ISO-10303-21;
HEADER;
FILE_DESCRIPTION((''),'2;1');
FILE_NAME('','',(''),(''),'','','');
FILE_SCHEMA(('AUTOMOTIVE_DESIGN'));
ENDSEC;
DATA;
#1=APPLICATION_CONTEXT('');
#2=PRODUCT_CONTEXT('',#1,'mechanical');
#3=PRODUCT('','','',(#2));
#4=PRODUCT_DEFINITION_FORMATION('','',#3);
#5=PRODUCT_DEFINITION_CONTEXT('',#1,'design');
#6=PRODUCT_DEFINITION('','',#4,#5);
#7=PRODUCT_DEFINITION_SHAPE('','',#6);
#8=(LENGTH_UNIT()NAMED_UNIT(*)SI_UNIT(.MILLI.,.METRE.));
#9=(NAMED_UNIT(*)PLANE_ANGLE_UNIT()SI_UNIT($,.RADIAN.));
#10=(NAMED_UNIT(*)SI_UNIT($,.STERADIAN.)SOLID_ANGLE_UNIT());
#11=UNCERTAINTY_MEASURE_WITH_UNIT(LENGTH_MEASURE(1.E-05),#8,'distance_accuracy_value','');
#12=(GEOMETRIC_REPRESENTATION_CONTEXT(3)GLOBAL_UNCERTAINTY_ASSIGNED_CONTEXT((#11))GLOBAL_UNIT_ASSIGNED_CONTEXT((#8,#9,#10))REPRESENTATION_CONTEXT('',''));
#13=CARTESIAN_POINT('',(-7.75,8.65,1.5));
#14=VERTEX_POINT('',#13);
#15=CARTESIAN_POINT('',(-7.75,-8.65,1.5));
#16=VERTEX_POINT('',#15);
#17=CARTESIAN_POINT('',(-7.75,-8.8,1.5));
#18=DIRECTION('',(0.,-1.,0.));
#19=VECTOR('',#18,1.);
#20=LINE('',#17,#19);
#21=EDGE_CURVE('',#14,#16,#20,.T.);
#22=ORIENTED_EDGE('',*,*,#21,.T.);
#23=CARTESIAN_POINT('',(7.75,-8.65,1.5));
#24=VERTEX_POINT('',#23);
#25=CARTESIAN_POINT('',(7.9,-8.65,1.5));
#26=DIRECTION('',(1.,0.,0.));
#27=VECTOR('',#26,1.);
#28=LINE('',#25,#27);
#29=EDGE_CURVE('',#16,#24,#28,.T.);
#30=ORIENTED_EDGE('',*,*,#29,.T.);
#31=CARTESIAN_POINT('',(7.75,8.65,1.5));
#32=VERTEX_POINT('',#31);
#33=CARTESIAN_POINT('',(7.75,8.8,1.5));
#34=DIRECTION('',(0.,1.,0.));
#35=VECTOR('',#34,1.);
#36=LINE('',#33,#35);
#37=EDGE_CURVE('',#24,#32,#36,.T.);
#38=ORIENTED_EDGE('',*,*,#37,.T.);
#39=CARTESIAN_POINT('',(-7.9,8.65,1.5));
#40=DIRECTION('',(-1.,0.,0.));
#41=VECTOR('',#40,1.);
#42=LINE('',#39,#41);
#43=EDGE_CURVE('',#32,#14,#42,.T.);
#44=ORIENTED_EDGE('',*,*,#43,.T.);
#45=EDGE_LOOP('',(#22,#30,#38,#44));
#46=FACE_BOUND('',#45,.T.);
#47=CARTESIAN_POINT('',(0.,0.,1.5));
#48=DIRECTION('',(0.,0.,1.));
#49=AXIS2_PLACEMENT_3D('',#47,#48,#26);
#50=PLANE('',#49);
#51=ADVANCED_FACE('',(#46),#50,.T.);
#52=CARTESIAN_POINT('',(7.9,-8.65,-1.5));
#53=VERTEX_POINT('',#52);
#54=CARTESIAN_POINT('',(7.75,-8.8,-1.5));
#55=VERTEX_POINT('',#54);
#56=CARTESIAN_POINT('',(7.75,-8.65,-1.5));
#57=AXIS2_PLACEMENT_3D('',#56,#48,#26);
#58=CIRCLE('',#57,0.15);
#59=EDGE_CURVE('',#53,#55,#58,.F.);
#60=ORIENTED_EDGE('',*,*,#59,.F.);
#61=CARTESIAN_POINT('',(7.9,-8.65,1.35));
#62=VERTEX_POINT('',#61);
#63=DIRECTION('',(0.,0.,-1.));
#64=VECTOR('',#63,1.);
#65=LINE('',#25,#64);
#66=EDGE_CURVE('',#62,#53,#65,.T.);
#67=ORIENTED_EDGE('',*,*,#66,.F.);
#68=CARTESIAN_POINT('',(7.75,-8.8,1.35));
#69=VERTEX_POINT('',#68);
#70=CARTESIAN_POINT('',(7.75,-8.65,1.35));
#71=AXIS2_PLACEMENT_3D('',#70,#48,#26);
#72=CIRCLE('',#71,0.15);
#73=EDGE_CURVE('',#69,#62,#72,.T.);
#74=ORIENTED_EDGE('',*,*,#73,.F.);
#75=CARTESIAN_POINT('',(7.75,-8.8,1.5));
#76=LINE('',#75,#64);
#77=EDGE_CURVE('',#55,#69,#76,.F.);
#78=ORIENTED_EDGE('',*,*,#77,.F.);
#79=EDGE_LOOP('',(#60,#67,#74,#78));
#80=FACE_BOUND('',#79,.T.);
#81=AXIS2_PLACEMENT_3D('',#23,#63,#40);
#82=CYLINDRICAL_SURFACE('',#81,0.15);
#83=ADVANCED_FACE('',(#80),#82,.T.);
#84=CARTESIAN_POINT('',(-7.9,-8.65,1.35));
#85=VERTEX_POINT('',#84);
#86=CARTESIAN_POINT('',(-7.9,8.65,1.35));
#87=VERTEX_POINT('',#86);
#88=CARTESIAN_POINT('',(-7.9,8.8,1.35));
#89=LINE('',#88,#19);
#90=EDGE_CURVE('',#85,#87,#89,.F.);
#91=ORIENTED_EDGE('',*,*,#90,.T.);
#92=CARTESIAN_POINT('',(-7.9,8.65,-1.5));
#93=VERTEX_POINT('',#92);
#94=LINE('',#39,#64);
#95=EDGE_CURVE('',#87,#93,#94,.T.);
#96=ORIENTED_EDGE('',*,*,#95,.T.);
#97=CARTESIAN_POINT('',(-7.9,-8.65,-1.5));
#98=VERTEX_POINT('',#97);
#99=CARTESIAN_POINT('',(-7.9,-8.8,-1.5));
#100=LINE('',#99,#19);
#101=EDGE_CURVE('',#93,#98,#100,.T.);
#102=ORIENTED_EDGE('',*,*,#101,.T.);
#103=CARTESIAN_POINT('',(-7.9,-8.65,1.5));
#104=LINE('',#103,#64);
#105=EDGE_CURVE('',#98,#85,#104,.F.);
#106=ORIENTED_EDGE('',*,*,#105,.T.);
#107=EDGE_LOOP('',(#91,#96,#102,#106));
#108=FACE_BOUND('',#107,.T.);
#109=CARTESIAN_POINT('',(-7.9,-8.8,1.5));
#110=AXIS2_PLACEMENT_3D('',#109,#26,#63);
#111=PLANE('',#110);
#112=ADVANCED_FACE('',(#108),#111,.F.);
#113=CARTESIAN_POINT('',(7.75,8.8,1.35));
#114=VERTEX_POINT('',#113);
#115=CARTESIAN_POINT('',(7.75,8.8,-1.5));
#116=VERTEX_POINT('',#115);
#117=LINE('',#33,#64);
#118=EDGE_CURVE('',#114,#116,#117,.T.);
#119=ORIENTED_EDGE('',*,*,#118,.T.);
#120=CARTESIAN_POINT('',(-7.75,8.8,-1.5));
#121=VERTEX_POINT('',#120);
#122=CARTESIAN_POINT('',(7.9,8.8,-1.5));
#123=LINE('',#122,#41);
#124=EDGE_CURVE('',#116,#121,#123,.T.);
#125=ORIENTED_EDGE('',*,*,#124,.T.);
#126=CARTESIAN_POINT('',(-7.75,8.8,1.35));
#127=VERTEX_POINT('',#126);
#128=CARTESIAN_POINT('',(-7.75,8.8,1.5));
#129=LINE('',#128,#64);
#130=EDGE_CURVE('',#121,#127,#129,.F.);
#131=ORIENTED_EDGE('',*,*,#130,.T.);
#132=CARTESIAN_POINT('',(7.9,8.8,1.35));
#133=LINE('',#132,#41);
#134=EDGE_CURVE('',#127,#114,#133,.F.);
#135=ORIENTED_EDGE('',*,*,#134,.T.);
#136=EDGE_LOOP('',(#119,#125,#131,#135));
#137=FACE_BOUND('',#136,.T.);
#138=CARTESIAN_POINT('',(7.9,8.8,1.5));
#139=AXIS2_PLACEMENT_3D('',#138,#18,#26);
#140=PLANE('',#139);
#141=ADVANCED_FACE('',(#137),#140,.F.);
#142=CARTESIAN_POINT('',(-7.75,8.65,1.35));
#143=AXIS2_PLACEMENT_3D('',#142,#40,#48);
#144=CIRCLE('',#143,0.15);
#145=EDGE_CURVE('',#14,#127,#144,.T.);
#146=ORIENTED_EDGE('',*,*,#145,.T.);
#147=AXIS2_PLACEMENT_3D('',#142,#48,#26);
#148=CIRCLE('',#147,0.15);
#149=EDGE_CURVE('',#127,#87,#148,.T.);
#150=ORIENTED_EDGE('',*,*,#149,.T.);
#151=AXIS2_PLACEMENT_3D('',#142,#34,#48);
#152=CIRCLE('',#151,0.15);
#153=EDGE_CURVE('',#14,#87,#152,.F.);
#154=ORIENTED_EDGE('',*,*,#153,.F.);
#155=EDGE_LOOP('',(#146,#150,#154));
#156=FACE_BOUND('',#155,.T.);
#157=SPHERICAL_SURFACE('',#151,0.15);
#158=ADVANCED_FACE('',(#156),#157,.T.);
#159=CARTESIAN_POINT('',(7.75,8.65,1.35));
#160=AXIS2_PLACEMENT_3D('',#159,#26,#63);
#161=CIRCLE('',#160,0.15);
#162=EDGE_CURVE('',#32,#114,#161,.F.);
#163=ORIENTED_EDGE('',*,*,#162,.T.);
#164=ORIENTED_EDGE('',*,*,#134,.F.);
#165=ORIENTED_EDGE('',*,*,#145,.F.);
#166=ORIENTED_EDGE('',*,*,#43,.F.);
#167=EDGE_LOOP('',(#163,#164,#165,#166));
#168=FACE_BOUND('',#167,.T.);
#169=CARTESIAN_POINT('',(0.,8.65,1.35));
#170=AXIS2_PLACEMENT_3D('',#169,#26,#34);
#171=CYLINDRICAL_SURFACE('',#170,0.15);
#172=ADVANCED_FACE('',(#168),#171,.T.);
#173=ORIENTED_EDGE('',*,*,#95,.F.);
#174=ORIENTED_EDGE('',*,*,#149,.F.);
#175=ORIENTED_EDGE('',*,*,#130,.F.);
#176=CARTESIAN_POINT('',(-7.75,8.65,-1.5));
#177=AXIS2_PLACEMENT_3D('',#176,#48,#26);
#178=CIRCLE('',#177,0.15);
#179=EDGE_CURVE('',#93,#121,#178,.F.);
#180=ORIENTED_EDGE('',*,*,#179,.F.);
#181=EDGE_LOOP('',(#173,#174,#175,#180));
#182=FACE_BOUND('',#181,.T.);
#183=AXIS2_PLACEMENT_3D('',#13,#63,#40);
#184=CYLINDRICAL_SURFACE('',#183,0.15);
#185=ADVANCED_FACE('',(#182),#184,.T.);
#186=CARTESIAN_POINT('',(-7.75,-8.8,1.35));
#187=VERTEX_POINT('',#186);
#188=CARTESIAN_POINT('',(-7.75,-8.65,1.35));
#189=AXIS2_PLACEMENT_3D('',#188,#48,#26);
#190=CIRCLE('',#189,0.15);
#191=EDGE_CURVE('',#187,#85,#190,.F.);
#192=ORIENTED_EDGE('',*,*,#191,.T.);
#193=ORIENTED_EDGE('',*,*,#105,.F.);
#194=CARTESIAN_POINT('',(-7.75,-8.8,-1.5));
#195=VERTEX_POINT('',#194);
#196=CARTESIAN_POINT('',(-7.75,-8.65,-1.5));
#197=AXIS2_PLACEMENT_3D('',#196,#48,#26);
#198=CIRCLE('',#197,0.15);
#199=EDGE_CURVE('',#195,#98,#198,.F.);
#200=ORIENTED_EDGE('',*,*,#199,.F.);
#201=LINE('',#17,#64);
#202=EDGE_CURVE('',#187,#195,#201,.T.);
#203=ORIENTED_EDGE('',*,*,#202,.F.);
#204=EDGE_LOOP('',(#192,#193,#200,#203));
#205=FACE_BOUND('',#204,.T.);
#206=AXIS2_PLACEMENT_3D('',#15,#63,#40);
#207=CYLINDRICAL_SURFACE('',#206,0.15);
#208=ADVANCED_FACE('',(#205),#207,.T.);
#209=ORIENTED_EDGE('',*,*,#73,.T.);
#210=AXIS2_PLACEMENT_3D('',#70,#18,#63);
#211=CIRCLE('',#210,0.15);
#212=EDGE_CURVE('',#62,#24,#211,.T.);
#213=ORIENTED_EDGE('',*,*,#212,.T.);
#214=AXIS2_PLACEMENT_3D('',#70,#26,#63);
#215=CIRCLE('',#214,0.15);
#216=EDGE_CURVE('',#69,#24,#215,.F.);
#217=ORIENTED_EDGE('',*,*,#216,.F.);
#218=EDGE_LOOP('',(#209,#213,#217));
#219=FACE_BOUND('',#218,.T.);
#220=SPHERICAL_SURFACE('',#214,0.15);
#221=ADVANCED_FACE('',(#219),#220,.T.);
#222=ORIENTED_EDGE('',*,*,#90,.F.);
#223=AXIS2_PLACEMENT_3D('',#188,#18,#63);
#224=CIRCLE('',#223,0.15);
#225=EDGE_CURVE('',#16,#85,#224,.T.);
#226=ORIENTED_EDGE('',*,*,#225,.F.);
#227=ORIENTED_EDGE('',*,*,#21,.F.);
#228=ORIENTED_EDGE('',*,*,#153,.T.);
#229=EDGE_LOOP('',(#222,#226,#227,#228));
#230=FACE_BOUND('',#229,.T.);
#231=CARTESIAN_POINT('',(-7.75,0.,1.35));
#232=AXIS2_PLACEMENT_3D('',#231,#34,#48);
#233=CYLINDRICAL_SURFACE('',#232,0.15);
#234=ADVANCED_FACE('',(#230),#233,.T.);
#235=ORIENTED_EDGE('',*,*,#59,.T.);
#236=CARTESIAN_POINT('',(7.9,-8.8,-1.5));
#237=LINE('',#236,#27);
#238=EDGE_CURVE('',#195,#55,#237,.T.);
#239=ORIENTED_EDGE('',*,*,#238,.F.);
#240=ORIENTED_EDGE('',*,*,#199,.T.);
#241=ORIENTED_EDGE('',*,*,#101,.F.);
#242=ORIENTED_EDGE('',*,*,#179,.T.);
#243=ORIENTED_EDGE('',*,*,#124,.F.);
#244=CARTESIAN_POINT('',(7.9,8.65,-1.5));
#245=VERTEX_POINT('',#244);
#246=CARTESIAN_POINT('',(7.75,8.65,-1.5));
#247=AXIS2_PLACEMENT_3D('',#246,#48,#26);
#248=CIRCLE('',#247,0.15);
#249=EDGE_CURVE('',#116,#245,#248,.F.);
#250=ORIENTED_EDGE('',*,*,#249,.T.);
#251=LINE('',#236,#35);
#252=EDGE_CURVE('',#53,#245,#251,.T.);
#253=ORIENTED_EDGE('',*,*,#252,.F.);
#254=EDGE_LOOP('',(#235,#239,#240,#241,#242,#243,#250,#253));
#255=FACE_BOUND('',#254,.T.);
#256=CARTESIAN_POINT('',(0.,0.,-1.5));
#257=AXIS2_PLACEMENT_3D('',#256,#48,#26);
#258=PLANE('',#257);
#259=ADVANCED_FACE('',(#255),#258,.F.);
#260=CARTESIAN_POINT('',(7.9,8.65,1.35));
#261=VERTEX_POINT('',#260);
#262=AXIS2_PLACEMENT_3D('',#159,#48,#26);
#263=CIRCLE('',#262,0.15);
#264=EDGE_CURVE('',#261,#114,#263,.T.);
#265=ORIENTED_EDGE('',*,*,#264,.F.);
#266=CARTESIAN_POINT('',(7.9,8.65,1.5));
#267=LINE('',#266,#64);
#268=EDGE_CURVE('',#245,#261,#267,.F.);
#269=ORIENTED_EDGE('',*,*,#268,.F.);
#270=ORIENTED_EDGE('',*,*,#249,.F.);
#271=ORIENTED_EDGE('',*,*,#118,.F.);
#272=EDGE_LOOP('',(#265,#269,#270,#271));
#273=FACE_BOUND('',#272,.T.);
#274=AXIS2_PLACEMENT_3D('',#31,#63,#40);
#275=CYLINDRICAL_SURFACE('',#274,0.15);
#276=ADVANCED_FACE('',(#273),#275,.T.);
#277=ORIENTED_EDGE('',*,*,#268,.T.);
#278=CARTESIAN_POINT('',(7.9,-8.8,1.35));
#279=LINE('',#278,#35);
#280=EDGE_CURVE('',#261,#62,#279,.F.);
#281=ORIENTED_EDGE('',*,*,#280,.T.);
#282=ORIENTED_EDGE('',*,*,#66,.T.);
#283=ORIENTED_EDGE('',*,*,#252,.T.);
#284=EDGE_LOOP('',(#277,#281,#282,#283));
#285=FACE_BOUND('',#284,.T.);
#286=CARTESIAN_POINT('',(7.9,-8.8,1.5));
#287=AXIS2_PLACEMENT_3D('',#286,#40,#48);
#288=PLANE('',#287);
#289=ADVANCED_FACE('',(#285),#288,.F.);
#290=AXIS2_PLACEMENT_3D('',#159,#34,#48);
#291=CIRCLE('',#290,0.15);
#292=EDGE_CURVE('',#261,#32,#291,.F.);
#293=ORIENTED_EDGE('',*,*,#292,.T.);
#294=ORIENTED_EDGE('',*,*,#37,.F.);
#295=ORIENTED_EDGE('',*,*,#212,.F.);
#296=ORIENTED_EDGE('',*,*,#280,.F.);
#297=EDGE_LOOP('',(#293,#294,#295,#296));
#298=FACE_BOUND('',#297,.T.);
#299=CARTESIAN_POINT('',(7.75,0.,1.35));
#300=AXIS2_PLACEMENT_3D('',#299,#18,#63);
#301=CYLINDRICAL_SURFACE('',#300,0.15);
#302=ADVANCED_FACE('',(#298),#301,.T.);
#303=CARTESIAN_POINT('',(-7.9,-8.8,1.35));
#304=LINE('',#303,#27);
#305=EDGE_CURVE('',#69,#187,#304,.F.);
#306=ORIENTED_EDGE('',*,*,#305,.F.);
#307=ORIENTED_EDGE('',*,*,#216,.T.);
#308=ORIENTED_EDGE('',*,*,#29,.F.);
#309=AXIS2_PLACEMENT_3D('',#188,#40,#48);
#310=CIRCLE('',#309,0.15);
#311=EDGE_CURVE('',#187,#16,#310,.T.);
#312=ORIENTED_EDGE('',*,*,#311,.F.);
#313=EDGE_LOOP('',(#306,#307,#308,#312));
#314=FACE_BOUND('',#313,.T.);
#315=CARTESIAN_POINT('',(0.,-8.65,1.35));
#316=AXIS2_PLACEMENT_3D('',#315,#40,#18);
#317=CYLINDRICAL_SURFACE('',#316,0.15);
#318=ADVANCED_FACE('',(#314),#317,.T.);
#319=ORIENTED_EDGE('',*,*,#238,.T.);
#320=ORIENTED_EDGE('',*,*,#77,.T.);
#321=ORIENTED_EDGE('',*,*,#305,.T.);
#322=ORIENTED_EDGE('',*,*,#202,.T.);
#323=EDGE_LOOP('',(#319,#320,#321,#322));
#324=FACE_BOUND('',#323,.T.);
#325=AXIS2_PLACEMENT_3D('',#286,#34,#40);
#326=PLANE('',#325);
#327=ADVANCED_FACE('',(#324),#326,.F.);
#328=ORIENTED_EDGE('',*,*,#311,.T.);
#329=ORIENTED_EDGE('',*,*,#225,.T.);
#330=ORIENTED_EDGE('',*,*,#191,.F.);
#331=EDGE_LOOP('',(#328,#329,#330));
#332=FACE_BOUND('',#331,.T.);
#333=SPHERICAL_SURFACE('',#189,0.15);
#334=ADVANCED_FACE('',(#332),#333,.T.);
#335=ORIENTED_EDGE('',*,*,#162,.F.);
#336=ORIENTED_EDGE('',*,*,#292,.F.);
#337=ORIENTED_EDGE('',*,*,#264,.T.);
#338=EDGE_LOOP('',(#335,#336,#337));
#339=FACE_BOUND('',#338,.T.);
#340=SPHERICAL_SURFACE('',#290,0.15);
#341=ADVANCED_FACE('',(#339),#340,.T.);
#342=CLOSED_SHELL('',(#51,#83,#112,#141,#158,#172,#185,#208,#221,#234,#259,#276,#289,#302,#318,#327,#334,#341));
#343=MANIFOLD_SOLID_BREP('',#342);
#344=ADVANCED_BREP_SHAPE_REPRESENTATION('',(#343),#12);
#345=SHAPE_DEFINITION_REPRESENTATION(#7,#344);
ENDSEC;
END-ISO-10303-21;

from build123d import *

# Parameters (mm, degrees)
ESBO_O1_W                = 15.8
ESBO_O1_H                = 17.6
RESSALTO_EXTRUS_O1_DEPTH = 1.5
FILETE1_R                = 0.15


with BuildPart() as part:
    # Esboço1 → Ressalto-extrusão1 (new, symmetric)
    with BuildSketch(Plane.XY):
        Rectangle(ESBO_O1_W, ESBO_O1_H)
    extrude(amount=RESSALTO_EXTRUS_O1_DEPTH, both=True)

    # Filete1
    filete1_edges = [part.edges().sort_by_distance(p)[0] for p in [
        (7.9, 0, 1.5),
        (0, 8.8, 1.5),
        (-7.9, 0, 1.5),
        (-7.9, 8.8, 0),
        (7.9, 8.8, 0),
        (7.9, -8.8, 0),
        (-7.9, -8.8, 0),
        (0, -8.8, 1.5),
    ]]
    fillet(filete1_edges, radius=FILETE1_R)


solid = part.part
